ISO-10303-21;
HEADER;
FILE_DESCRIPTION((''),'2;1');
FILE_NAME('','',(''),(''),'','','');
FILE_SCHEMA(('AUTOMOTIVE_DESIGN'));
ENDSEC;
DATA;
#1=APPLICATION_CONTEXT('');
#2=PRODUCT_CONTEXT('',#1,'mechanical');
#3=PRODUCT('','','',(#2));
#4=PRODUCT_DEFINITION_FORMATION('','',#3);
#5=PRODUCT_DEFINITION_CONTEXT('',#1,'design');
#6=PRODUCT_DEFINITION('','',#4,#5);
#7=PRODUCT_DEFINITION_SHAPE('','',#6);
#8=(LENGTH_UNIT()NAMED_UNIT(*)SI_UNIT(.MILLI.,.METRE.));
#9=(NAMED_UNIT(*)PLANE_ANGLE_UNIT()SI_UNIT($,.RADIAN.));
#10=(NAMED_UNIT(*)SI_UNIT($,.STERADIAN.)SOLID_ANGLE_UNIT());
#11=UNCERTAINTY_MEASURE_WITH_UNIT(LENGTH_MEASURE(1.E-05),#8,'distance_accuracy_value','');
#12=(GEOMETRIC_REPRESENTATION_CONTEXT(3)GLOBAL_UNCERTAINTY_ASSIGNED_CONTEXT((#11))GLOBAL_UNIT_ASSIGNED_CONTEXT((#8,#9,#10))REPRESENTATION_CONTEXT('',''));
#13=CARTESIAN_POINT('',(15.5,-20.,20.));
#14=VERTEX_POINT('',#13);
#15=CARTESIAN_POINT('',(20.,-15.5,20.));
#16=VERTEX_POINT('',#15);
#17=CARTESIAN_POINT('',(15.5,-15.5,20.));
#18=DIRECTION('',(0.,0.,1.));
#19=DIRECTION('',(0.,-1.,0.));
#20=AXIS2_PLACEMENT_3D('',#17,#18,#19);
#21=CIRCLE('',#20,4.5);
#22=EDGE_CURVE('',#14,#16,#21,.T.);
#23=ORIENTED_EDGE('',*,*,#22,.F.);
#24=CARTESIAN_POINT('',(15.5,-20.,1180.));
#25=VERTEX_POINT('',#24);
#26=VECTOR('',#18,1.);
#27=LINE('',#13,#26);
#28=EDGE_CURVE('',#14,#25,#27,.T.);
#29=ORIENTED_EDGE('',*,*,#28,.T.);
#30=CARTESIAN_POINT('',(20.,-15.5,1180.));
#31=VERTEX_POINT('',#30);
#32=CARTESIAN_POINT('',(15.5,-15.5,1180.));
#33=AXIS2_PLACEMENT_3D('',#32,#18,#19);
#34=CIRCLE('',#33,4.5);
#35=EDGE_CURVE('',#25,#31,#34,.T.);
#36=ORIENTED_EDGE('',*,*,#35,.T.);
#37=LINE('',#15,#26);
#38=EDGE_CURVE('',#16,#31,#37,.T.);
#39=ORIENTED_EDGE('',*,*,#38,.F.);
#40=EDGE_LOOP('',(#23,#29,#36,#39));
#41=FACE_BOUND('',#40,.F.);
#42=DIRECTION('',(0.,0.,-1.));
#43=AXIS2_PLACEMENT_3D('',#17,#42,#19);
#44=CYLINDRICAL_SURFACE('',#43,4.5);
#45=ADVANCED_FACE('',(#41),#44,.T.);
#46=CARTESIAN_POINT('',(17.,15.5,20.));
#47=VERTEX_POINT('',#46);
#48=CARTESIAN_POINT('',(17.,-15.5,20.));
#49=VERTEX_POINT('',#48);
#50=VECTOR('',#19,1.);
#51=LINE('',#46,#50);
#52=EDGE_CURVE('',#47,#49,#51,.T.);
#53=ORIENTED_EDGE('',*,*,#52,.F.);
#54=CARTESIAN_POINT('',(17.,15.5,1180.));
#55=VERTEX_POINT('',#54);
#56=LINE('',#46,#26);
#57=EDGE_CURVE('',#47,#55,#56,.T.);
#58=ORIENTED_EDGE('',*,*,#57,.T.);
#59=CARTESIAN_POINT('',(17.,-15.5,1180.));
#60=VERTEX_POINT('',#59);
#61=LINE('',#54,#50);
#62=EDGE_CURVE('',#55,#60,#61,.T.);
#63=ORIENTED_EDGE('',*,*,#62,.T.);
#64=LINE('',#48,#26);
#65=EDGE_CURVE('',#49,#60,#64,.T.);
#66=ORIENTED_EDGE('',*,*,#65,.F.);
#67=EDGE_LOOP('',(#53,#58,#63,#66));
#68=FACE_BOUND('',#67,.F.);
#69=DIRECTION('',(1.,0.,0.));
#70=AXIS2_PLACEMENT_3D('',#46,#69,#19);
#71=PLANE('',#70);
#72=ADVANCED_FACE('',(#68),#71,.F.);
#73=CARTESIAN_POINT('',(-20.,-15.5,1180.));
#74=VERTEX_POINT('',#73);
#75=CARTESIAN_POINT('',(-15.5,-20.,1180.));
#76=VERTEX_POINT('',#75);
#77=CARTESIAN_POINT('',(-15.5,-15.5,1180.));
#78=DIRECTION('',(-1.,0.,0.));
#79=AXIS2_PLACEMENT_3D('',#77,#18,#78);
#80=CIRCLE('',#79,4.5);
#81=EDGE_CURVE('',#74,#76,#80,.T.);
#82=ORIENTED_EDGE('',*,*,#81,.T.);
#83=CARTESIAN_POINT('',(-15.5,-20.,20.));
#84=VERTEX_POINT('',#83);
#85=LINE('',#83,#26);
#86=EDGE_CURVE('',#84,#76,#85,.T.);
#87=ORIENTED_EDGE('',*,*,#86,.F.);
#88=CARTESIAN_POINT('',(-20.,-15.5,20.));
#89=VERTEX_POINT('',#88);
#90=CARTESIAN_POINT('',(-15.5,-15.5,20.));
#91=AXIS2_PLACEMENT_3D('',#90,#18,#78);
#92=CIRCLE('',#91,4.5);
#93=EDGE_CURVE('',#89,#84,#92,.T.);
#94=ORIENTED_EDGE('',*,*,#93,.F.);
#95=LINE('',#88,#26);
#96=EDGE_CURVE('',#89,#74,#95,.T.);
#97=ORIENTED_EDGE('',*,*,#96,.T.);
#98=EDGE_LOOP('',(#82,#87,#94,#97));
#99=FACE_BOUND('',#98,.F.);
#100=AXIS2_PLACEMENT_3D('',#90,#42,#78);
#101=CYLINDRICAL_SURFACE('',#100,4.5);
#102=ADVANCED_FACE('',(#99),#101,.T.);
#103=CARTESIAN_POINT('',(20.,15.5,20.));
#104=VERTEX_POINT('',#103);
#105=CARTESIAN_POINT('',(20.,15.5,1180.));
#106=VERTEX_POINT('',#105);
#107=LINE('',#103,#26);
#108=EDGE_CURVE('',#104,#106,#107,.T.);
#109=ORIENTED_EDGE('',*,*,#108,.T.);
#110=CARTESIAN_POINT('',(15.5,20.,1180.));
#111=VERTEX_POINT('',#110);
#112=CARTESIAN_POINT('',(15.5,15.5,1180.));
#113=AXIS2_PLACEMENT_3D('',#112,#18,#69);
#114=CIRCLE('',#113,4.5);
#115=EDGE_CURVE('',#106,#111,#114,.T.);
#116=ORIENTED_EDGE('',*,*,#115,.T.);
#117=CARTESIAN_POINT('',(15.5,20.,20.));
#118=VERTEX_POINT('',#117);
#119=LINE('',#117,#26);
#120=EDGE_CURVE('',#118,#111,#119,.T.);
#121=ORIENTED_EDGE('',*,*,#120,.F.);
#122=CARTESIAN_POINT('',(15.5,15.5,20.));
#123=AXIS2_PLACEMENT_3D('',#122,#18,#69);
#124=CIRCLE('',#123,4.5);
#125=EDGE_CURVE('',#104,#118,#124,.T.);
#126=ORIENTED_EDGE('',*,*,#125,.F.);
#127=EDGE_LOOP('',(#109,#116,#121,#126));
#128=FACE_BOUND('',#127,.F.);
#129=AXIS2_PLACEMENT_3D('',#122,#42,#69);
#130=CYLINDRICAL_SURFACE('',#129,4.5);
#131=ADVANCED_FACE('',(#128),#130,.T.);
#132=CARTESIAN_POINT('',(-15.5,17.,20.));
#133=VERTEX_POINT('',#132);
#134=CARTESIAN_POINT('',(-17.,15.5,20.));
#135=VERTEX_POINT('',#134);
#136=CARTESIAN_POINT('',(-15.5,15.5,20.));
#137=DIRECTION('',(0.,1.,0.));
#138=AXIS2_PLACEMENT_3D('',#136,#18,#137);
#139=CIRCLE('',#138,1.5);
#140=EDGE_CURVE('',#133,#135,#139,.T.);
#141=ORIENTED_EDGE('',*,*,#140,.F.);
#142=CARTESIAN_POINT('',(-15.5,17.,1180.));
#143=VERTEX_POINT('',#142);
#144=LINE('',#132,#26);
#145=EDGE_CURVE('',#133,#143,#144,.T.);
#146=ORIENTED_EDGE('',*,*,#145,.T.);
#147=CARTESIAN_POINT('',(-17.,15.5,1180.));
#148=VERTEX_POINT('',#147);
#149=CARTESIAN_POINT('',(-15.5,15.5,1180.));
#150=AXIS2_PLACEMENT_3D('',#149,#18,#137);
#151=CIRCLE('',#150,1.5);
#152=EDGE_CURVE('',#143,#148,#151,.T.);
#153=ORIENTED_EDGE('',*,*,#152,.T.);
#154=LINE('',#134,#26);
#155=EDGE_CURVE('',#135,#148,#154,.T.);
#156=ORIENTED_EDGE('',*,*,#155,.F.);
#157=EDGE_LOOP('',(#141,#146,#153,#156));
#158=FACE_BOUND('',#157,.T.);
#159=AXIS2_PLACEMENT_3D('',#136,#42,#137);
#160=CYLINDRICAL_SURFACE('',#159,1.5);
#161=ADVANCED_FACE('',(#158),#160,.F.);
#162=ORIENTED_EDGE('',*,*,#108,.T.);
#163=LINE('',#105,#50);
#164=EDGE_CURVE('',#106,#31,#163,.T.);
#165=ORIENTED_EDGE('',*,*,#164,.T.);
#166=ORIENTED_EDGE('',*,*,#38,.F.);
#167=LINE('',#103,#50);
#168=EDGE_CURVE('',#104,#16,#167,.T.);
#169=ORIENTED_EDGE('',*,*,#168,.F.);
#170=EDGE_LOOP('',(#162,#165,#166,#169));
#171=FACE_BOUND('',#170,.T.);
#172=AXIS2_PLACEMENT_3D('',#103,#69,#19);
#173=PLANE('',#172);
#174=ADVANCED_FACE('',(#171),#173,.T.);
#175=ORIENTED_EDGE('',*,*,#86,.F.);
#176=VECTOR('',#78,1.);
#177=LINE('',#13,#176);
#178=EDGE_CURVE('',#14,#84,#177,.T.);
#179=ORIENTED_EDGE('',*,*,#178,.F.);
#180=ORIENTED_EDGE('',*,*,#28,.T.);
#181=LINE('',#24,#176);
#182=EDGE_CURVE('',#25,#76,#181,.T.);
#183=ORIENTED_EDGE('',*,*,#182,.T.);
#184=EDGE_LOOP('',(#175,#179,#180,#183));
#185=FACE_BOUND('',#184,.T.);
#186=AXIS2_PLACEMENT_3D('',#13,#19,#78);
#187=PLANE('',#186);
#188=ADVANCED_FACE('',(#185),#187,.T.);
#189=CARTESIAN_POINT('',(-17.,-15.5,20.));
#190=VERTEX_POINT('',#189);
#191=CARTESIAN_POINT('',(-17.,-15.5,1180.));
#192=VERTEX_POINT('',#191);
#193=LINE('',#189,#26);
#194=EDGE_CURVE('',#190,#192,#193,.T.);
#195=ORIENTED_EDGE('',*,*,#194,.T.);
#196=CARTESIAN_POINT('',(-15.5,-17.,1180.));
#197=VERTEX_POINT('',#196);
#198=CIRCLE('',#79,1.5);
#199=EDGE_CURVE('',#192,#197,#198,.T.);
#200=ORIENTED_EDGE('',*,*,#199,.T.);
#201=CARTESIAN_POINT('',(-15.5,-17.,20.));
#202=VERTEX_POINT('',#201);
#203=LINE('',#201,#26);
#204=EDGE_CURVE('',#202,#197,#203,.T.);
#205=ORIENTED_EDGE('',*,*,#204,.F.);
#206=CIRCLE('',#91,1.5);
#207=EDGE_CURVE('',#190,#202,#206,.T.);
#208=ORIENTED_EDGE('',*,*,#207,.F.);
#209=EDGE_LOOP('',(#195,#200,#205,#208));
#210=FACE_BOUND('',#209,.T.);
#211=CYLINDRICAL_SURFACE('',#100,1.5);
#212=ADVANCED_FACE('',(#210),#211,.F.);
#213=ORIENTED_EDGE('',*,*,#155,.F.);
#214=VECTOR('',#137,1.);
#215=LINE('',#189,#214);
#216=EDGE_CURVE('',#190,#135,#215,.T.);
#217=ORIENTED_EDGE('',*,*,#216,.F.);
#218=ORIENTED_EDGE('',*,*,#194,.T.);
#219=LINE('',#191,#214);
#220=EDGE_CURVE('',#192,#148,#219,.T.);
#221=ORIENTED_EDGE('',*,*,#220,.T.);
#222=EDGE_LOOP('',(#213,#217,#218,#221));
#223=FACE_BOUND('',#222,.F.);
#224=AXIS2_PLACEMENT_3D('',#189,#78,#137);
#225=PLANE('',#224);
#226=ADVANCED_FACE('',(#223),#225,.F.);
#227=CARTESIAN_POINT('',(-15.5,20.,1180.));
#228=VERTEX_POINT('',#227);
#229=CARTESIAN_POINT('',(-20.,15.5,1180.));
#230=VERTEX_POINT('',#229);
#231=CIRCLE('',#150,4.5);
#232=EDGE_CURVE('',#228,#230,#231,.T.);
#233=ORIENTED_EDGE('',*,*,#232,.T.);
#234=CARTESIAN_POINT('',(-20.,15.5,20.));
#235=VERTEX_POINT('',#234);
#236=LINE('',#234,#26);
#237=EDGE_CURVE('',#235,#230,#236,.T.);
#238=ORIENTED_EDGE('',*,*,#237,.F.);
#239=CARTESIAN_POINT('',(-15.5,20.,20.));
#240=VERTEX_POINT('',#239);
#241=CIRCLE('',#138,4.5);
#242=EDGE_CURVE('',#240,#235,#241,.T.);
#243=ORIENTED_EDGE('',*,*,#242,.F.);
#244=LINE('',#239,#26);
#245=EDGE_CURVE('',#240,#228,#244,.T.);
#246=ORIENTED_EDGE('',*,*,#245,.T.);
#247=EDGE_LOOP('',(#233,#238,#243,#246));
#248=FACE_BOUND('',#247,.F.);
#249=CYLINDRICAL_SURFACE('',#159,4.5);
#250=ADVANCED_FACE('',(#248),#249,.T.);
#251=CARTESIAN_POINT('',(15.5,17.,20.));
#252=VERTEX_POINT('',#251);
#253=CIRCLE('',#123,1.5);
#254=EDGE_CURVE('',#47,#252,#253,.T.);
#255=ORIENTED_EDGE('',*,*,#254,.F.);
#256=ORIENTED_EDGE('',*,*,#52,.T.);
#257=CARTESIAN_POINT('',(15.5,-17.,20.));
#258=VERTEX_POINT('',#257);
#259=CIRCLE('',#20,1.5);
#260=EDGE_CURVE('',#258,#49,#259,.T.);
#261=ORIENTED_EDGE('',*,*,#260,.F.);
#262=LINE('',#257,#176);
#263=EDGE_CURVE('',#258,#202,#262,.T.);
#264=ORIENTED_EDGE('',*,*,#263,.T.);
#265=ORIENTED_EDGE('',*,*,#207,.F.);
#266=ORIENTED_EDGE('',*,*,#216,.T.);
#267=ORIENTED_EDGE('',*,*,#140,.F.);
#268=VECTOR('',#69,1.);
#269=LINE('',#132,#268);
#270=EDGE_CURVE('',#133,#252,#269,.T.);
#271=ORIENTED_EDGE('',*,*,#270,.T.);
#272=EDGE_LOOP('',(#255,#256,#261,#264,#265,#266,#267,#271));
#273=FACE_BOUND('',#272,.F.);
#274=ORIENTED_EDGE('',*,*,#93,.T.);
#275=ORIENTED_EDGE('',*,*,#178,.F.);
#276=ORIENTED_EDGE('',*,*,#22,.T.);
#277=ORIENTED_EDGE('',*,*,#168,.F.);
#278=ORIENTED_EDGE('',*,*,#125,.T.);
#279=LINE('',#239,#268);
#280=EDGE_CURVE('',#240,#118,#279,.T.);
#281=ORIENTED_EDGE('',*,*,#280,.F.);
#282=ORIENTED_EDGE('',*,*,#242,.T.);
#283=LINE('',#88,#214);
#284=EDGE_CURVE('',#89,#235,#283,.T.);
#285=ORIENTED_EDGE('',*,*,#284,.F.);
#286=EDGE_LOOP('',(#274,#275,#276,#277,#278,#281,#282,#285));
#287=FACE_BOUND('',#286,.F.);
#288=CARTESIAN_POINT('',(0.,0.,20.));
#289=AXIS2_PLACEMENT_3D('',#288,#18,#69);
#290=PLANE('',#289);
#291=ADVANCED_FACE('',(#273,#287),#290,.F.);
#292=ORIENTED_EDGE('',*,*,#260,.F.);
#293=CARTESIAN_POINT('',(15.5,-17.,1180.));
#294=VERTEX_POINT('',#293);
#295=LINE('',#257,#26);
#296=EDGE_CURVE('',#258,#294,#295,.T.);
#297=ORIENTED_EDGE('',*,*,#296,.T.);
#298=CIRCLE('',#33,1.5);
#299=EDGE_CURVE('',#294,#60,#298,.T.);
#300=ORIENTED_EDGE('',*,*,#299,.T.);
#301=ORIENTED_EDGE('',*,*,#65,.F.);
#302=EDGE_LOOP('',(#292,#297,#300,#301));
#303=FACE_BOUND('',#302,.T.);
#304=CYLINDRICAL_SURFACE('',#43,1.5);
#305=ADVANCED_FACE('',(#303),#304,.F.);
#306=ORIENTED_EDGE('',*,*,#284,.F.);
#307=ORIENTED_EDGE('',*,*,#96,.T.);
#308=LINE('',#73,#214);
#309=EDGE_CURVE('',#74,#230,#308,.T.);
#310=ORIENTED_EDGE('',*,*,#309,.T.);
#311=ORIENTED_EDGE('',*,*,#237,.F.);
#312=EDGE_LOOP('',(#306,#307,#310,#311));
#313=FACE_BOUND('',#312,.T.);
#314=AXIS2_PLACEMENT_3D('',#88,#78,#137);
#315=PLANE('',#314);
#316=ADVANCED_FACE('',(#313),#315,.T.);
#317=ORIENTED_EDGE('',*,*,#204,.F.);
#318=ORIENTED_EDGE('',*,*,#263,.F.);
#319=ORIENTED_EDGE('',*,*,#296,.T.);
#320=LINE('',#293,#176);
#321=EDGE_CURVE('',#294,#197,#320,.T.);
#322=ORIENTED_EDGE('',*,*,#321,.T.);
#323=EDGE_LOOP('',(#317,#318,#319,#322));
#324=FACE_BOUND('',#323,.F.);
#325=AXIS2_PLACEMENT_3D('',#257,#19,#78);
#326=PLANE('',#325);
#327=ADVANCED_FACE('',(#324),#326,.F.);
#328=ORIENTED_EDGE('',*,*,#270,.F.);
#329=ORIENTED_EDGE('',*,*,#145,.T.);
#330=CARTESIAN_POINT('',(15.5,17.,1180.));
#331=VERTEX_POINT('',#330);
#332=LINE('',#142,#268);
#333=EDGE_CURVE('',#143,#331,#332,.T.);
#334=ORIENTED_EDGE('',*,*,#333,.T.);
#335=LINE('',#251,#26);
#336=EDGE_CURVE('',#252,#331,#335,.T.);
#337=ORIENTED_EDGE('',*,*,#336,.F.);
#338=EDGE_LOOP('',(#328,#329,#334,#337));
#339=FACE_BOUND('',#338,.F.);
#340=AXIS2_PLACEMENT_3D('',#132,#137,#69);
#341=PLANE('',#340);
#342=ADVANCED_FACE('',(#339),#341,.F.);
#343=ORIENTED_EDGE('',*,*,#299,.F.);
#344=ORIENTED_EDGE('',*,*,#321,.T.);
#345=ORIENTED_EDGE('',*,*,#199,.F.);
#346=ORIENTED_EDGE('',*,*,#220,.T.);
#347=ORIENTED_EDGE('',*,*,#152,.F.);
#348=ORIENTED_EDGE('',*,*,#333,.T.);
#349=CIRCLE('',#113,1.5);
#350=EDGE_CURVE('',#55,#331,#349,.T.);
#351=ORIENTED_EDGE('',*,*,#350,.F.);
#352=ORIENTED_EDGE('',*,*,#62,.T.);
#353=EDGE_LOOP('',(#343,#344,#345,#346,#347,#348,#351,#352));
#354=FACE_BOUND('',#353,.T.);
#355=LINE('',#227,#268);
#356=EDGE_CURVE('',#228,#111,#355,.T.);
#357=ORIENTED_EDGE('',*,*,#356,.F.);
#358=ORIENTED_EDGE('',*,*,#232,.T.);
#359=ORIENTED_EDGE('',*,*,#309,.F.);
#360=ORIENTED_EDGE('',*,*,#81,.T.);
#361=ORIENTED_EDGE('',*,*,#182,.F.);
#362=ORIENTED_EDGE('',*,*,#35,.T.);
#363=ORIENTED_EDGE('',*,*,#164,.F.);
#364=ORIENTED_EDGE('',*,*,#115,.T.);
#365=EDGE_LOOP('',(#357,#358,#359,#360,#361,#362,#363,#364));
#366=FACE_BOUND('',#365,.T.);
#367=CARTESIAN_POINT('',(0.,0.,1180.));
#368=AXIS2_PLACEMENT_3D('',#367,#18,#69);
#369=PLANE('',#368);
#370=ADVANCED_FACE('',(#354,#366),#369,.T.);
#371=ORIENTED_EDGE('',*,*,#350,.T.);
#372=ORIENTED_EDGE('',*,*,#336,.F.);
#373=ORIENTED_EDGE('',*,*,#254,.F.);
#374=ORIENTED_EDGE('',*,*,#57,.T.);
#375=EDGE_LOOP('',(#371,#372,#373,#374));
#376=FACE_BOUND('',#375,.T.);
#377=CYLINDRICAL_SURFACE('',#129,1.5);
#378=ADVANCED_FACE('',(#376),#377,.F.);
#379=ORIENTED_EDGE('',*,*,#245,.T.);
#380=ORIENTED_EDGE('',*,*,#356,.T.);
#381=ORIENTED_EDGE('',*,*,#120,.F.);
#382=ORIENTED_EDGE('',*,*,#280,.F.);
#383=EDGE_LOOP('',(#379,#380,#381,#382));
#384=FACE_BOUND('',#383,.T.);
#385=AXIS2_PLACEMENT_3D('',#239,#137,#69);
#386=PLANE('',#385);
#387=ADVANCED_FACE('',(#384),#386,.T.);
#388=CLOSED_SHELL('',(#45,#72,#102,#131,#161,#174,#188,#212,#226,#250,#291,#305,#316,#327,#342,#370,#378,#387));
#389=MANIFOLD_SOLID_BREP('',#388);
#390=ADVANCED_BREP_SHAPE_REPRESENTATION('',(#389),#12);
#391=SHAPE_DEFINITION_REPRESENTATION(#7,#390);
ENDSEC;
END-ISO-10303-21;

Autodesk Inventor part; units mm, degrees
ref_plane "Start Plane" through (0, 0, 20) normal (0, 0, 1) x (1, 0, 0)
ref_plane "End Plane" through (0, 0, 1180) normal (0, 0, 1) x (1, 0, 0)
sketch "Sketch" plane through (0, 0, 0) normal (0, 0, 1) x (1, 0, 0)
  line L0 (-20, -15.5) -> (-20, 15.5)
  line L1 (-15.5, 20) -> (15.5, 20)
  line L2 (20, 15.5) -> (20, -15.5)
  line L3 (15.5, -20) -> (-15.5, -20)
  arc A0 (-20, -15.5) -> (-15.5, -20) centre (-15.5, -15.5) ccw
  arc A1 (-15.5, 20) -> (-20, 15.5) centre (-15.5, 15.5) ccw
  arc A2 (20, 15.5) -> (15.5, 20) centre (15.5, 15.5) ccw
  arc A3 (15.5, -20) -> (20, -15.5) centre (15.5, -15.5) ccw
  arc A4 (-15.5, 17) -> (-17, 15.5) centre (-15.5, 15.5) ccw
  line L4 (-15.5, 17) -> (15.5, 17)
  arc A5 (17, 15.5) -> (15.5, 17) centre (15.5, 15.5) ccw
  line L5 (17, 15.5) -> (17, -15.5)
  arc A6 (15.5, -17) -> (17, -15.5) centre (15.5, -15.5) ccw
  line L6 (15.5, -17) -> (-15.5, -17)
  arc A7 (-17, -15.5) -> (-15.5, -17) centre (-15.5, -15.5) ccw
  line L7 (-17, -15.5) -> (-17, 15.5)
  line L8 (0, 29.3048) -> (0, -29.3048) construction
  line L9 (-29.3048, 0) -> (29.3048, 0) construction
  dimension "d7" = 4.5
  dimension "d10" = 40
  dimension "d11" = 40
  dimension "d12" = 3
  dimension "d15" = 20
  dimension "d16" = 20
extrude "Body" add sketch "Sketch" along normal up to surface (1160 mm away) from surface at 20
sketch "Sketch3" plane through (0, 0, 0) normal (0, 0, 1) x (1, 0, 0)
  line L0 (0, 0) -> (10, 0)
ref_plane "Work Plane3" through (0, 0, 0) normal (0, -1, 0) x (1, 0, 0)
ref_plane "Work Plane4" through (-800, -15.5, 20) normal (0, 0, -1) x (-1, 0, 0)
split "Split1" plane through (-800, -15.5, 20) removes the side toward (0, 0, -1)
ref_plane "Work Plane5" through (-500, -984.5, 1180) normal (0, 0, 1) x (1, 0, 0)
split "Split2" plane through (-500, -984.5, 1180) removes the side toward (0, 0, 1)
sketch "Sketch4" plane through (0, 0, 0) normal (0, -1, 0) x (1, 0, 0)
  line L0 (-2, 20) -> (12, 20) projected
  line L1 (-2, 1180) -> (12, 1180) projected
  dimension "d18" = 1160
equation "\"d7\" = G_IR"
equation "\"d10\" = G_H"
equation "\"d11\" = G_W"
equation "\"d12\" = G_T"
equation "\"d15\" = 0.5 * d10"
equation "\"d16\" = 0.5 * d11"
equation "\"d3\" = G_L"
equation "\"G_W\" = 40"
equation "\"G_H\" = 40"
equation "\"G_T\" = 3"
equation "\"G_IR\" = 4.5"
equation "\"G_L\" = d18"
properties part number "ISO 12633-2 - 40x40x3 - 1160" material "Steel, Mild"
